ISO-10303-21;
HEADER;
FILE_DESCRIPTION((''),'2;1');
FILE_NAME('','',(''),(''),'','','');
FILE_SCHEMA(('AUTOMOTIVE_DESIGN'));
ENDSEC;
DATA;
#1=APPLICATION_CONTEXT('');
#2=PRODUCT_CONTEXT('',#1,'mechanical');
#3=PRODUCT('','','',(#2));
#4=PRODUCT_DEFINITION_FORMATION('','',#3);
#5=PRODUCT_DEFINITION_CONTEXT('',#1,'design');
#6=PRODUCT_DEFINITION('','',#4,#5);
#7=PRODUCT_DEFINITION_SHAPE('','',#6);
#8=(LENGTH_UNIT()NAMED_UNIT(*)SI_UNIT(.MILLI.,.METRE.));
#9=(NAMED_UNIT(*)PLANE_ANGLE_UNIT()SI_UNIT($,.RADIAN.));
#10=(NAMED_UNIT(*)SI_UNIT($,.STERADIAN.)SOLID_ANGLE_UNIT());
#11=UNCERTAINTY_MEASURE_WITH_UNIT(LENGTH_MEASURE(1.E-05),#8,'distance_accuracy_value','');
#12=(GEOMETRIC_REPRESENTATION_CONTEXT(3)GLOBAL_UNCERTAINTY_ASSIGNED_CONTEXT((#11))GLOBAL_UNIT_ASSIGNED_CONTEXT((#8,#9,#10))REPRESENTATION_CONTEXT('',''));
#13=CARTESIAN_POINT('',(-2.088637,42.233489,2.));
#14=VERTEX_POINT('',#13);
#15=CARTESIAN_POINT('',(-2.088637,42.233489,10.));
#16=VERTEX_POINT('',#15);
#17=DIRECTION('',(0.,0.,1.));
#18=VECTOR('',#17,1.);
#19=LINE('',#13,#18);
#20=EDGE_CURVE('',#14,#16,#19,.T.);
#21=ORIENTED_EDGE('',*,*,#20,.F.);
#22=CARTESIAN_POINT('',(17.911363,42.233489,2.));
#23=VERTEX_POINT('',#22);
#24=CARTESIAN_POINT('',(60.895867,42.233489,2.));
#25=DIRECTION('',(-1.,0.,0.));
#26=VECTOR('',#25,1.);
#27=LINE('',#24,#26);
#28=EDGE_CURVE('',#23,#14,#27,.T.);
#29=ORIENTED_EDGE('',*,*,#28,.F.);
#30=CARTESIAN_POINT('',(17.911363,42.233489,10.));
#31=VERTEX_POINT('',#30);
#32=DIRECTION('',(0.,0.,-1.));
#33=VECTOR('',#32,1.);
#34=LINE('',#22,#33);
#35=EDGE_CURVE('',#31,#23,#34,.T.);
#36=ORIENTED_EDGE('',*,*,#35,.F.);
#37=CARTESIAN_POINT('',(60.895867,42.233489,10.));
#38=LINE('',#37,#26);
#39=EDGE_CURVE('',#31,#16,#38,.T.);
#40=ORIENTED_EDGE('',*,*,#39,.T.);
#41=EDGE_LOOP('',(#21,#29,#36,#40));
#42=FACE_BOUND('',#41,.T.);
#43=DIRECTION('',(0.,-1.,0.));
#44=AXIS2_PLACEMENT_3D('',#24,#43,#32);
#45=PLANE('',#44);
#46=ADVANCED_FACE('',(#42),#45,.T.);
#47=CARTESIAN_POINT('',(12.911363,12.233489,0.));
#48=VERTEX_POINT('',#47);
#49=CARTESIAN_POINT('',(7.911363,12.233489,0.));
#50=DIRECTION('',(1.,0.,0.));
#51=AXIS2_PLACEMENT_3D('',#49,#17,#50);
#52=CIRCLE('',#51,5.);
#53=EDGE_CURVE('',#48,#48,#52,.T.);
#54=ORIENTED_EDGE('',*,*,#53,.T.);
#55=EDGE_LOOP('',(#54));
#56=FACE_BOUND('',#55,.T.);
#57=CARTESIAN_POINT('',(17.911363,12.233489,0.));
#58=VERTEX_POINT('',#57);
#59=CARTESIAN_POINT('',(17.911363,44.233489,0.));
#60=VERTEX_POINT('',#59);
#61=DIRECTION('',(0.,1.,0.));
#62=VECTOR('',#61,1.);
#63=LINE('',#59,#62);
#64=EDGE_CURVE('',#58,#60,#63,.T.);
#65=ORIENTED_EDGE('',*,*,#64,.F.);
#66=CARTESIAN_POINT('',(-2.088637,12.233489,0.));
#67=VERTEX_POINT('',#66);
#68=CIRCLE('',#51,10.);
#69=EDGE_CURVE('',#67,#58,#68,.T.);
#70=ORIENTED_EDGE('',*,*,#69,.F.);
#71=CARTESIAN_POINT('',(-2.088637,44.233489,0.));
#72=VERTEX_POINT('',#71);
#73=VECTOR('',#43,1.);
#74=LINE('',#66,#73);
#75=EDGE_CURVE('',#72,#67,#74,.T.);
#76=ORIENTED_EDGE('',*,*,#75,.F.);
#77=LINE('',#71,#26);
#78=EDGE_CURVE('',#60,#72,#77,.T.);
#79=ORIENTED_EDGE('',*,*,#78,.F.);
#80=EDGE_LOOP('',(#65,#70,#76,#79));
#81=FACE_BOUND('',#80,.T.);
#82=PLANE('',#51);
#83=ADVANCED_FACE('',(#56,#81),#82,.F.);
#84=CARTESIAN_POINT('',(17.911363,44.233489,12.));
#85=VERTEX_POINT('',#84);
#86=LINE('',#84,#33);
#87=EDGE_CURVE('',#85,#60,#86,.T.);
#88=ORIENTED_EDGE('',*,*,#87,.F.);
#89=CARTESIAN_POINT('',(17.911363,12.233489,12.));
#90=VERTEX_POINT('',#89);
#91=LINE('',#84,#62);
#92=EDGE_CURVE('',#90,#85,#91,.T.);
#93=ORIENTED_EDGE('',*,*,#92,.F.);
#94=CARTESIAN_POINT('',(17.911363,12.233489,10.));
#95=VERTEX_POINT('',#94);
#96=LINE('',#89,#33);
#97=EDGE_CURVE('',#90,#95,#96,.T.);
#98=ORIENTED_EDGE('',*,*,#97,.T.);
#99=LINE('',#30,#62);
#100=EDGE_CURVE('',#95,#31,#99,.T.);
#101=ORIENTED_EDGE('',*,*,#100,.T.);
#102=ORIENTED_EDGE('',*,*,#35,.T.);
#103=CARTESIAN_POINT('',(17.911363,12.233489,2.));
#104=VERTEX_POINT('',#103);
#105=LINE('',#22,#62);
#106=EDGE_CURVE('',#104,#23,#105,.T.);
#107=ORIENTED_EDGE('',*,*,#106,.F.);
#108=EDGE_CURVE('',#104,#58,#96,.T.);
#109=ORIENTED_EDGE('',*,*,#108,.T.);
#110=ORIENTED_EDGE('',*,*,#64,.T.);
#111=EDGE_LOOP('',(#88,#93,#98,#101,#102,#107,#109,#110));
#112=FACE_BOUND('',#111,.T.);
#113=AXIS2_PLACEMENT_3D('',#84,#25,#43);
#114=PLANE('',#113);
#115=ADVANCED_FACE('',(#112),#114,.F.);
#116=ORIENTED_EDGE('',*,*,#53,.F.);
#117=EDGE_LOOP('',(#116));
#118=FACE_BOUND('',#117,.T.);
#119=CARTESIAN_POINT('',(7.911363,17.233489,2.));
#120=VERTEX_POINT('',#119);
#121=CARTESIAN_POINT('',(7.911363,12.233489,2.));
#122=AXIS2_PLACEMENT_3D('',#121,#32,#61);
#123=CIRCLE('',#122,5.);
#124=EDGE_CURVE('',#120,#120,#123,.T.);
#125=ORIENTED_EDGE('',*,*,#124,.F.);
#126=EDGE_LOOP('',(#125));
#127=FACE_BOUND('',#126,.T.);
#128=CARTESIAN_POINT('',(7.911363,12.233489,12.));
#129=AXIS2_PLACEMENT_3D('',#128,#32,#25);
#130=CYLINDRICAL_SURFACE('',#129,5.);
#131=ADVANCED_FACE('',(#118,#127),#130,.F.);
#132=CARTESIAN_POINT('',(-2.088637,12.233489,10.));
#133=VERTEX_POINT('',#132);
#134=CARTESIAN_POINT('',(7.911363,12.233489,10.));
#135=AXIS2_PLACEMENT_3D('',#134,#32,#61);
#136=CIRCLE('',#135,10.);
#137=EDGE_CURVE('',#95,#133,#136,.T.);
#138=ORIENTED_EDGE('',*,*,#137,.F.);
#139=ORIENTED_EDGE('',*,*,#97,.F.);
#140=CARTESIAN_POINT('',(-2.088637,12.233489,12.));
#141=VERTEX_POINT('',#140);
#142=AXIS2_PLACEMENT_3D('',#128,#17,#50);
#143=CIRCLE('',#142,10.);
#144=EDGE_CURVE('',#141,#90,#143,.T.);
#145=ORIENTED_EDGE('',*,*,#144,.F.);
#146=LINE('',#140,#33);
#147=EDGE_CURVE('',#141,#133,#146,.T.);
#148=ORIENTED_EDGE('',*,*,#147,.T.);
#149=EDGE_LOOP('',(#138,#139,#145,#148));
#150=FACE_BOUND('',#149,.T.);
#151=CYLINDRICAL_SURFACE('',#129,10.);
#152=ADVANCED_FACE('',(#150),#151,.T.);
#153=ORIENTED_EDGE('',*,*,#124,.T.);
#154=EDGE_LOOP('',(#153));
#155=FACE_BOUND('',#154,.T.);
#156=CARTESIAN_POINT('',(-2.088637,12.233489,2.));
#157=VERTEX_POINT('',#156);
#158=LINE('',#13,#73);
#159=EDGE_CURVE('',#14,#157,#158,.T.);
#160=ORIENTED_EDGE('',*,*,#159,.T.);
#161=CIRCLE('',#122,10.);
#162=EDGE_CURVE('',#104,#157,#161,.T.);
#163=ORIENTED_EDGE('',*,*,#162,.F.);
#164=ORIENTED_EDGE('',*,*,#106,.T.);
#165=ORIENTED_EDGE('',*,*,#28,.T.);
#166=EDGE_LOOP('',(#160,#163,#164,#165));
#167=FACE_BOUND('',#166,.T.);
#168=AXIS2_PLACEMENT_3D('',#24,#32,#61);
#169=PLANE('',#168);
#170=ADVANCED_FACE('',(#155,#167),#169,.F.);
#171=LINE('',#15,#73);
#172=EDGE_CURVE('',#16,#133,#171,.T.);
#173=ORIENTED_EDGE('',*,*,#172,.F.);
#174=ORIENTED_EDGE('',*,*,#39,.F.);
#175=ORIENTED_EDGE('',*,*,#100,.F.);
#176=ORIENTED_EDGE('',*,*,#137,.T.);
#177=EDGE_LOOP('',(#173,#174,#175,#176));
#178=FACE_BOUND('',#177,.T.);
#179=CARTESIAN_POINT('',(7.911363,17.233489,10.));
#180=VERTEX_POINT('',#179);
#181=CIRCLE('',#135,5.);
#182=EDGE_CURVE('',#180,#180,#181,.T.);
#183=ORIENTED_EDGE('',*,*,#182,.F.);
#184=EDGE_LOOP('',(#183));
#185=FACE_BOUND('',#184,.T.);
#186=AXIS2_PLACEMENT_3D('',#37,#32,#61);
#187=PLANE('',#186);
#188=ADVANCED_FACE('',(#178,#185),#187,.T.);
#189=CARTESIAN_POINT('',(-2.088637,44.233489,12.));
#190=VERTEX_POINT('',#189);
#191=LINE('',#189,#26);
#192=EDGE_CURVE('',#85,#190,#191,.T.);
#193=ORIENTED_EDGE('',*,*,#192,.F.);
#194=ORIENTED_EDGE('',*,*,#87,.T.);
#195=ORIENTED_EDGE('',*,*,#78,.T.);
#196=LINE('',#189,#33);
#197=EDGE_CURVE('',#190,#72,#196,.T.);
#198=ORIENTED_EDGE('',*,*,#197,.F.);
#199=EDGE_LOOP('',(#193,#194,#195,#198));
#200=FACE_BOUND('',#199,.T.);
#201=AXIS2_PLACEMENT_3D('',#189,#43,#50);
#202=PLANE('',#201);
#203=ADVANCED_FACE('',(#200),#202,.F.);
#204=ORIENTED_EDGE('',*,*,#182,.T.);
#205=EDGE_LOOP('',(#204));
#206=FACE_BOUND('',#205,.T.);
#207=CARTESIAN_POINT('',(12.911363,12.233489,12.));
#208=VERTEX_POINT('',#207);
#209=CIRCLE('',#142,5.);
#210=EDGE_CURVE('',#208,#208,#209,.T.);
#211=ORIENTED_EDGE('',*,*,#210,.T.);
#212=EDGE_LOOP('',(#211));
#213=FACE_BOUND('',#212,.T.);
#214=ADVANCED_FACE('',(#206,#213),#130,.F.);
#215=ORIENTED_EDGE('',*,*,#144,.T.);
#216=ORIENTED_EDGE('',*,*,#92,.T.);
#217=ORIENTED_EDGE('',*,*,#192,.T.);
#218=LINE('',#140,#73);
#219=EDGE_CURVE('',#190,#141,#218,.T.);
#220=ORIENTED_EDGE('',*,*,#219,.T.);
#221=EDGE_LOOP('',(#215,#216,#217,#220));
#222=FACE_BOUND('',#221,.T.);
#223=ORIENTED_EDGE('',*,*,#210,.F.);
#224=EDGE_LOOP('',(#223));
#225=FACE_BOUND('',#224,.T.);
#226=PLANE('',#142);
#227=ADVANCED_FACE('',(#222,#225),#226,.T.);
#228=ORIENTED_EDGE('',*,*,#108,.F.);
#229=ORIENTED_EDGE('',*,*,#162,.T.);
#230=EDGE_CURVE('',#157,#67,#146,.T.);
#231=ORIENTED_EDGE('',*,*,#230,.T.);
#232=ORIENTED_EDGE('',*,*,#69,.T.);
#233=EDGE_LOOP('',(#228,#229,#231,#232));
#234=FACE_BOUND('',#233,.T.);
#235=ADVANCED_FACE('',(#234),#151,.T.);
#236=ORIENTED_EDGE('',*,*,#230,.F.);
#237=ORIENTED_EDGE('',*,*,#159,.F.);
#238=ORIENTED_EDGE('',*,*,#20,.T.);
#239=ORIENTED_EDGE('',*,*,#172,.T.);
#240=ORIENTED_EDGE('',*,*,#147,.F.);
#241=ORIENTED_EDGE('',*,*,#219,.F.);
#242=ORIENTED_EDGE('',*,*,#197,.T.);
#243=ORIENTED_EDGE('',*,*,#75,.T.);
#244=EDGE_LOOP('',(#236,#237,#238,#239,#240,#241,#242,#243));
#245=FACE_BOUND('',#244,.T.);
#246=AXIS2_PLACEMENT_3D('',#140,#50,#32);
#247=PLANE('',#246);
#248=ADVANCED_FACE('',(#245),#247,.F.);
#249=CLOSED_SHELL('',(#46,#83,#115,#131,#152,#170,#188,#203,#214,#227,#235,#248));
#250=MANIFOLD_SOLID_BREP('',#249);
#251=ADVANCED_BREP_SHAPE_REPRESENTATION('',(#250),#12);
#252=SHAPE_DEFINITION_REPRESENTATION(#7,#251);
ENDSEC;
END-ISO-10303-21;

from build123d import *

# Parameters (mm, degrees)
SKETCH1_R           = 5
BOSS_EXTRUDE1_DEPTH = 12
CUT_EXTRUDE1_REACH  = 52.006
SKETCH2_W           = 8
SKETCH2_H           = 42.233489427


with BuildPart() as part:
    # Sketch1 → Boss-Extrude1 (new body)
    with BuildSketch(Plane.XY):
        with BuildLine():
            Line((-2.088637096, 12.233489427), (-2.088637096, 44.233489427))
            Line((-2.088637096, 44.233489427), (17.911362904, 44.233489427))
            Line((17.911362904, 44.233489427), (17.911362904, 12.233489427))
            ThreePointArc((17.911362904, 12.233489427), (7.911362904, 2.233489427), (-2.088637096, 12.233489427))
        make_face()
        with Locations((7.911362904, 12.233489427)):
            Circle(SKETCH1_R, mode=Mode.SUBTRACT)
    extrude(amount=BOSS_EXTRUDE1_DEPTH)

    # Cut-Extrude1: up to this face of the body (flat: up to its plane)
    cut_extrude1_end = Plane(part.part.faces().sort_by_distance((17.911362904, 28.233489427, 6))[0])
    # Sketch2 → Cut-Extrude1 (cut, up to the picked face)
    with BuildSketch(Plane.ZY.offset(2.088637096), mode=Mode.PRIVATE) as cut_extrude1_sk1:
        with Locations((6, 21.116744714)):
            Rectangle(SKETCH2_W, SKETCH2_H)
    cut_extrude1_tool1 = split(extrude(cut_extrude1_sk1.sketch, amount=-CUT_EXTRUDE1_REACH, mode=Mode.PRIVATE), bisect_by=cut_extrude1_end, keep=Keep.BOTH, mode=Mode.PRIVATE)
    add(cut_extrude1_tool1.solids().sort_by(Axis((-2.088637, 21.116745, 6), (1, 0, 0)))[0], mode=Mode.SUBTRACT)


solid = part.part
